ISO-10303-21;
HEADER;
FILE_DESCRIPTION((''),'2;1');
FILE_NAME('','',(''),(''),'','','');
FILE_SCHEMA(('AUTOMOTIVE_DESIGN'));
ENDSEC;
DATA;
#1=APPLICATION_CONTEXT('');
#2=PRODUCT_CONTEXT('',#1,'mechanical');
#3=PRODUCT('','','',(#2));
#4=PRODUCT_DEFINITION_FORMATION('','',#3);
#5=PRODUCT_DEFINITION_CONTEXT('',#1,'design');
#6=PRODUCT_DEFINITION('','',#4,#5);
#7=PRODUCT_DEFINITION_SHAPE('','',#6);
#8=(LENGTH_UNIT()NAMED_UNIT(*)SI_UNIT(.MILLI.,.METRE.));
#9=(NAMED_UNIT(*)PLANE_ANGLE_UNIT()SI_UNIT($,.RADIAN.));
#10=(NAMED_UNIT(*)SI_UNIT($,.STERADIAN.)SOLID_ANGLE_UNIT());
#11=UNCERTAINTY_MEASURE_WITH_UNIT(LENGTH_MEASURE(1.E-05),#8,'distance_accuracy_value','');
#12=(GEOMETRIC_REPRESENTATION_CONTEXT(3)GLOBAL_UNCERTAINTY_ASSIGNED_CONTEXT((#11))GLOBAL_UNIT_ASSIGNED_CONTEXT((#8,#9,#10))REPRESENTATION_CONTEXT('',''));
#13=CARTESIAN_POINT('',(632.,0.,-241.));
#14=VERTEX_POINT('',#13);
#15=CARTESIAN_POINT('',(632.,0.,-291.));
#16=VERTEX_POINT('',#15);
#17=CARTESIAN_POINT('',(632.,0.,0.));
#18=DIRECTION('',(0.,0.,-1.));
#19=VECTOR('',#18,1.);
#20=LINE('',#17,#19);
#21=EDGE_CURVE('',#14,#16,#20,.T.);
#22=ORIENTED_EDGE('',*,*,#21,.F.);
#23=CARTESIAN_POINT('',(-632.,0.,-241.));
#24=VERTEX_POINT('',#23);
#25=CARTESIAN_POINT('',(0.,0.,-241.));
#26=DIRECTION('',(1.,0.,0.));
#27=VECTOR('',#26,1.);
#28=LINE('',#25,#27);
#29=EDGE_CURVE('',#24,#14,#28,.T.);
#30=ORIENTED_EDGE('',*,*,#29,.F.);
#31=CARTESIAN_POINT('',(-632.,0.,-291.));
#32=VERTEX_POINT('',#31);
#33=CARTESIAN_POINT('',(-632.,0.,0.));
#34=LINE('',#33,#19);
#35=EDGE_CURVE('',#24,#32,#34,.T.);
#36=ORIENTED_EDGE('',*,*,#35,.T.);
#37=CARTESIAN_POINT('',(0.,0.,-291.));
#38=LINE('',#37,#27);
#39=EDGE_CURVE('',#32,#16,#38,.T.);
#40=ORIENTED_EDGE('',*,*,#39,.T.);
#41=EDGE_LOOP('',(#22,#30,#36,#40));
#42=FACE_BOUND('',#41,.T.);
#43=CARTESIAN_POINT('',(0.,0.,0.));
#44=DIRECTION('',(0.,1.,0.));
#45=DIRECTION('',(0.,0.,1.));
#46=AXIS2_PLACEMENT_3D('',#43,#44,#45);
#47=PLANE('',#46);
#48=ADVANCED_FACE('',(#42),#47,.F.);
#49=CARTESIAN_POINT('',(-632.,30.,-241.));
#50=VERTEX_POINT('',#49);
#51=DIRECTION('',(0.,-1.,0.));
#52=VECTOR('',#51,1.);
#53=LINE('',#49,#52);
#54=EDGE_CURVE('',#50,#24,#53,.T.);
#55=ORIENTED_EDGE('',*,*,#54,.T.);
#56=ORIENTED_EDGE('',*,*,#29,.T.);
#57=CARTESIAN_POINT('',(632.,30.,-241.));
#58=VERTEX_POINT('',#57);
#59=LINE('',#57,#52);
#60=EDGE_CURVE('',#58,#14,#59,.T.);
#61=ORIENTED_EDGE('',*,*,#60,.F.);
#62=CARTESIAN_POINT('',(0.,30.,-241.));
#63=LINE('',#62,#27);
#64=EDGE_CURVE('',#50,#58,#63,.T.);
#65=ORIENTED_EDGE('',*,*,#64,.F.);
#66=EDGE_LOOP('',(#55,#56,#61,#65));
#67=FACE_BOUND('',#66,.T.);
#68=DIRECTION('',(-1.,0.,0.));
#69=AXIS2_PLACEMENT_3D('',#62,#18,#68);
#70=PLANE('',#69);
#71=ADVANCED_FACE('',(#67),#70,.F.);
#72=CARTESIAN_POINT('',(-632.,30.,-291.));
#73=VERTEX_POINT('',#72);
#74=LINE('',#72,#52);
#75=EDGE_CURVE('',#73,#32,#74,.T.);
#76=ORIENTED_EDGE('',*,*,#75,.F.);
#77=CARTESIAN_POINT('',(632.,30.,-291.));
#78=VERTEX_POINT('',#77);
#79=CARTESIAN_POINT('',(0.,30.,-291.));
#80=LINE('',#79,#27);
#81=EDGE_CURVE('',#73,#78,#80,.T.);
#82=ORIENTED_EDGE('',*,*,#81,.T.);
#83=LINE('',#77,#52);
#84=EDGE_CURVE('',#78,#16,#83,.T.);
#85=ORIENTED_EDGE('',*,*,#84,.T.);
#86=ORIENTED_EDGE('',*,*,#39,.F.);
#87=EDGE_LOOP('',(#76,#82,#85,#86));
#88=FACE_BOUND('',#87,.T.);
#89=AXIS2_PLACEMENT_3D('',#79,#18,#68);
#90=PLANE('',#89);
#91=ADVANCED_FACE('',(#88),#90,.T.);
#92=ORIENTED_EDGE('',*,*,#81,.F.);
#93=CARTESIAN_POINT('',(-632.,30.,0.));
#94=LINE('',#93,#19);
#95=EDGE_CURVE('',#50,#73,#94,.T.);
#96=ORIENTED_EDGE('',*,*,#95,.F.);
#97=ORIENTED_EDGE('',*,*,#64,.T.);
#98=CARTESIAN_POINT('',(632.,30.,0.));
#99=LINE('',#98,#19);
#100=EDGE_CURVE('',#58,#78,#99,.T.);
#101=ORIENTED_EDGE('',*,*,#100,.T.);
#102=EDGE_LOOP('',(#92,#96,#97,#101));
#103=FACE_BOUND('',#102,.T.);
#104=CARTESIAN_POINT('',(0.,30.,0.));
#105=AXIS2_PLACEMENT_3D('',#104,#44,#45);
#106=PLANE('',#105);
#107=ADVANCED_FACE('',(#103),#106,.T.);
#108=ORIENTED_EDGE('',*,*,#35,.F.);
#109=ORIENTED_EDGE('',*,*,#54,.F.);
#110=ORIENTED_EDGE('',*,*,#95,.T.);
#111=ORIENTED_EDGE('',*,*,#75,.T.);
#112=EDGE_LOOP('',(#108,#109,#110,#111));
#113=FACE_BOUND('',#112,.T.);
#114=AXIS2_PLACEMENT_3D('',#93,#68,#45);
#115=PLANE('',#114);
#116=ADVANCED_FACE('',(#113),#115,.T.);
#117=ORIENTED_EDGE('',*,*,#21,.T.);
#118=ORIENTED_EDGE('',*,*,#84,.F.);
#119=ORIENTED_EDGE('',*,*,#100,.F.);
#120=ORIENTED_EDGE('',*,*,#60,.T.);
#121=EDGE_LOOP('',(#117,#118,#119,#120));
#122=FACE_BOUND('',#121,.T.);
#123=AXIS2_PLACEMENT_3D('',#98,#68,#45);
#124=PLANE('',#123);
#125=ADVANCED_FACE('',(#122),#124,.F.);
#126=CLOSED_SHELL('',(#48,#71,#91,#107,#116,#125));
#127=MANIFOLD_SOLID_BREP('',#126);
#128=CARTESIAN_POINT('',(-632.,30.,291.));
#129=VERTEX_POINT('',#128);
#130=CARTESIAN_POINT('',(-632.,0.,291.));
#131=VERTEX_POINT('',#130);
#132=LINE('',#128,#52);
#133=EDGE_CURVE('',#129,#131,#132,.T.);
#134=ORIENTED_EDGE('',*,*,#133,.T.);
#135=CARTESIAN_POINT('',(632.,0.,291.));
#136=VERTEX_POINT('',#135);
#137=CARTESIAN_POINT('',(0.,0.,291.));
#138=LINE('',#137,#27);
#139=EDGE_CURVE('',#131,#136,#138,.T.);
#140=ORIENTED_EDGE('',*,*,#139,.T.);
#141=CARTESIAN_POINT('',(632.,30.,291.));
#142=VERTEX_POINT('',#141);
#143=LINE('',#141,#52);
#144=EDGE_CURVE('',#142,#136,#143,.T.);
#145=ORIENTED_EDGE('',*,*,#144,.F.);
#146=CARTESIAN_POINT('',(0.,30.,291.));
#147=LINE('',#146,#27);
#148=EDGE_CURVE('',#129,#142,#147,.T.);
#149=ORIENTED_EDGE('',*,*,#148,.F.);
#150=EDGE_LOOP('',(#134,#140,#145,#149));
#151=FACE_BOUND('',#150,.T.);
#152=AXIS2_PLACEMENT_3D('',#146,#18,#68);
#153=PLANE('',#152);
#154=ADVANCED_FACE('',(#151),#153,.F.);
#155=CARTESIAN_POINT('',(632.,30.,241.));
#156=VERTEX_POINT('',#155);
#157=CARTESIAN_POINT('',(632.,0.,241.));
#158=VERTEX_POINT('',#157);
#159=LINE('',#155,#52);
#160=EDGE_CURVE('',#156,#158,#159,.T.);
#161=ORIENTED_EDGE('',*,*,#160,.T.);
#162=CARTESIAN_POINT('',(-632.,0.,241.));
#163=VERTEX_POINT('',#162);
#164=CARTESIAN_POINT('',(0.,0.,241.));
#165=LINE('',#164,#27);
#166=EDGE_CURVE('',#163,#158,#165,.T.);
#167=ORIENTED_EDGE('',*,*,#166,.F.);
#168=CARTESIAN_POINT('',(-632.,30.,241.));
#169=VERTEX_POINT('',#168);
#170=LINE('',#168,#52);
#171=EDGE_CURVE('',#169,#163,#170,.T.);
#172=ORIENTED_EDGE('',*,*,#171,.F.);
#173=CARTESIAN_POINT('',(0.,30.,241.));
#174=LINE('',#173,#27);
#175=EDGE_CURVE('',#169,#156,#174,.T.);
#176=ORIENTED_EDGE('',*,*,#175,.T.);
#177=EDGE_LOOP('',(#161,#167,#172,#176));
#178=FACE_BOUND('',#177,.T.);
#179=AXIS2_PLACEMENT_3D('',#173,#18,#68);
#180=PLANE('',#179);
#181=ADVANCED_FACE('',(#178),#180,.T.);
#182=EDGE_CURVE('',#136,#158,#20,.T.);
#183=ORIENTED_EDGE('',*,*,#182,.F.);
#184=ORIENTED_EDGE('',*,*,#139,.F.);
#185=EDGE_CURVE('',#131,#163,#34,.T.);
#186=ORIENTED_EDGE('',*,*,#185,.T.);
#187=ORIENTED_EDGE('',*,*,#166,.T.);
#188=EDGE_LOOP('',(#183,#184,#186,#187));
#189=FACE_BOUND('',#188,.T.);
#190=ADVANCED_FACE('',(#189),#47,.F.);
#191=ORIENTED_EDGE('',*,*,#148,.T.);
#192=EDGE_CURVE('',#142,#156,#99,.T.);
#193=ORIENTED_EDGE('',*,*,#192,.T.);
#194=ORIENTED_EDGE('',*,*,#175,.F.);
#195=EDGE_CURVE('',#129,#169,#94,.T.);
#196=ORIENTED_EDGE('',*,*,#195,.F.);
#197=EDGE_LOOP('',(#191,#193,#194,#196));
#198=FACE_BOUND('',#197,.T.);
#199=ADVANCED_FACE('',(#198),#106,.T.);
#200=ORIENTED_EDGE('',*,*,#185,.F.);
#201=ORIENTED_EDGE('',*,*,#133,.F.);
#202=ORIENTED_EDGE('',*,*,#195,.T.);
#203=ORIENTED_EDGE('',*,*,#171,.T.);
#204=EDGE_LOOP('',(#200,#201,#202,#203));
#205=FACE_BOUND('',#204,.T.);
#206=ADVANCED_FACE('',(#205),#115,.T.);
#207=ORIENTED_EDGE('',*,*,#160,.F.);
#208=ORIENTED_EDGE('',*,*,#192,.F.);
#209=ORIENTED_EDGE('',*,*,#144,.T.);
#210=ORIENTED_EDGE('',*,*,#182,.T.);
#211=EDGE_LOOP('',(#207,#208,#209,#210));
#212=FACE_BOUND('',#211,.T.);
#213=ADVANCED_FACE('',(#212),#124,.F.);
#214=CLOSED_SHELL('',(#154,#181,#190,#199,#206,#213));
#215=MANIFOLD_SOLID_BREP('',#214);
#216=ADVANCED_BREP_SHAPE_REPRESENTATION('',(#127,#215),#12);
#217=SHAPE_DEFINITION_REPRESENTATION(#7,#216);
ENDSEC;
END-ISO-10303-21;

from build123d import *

# Parameters (mm, degrees)
CROQUIS1_W                = 1264
CROQUIS1_H                = 50
SALIENTE_EXTRUIR1_DEPTH   = 30
SALIENTE_EXTRUIR1_2_DEPTH = 30


with BuildPart() as part:
    # Croquis1 → Saliente-Extruir1 (new body)
    with BuildSketch(Plane(origin=(0, 0, 0), x_dir=(1, 0, 0), z_dir=(0, 1, 0))):
        with Locations((0, -266)):
            Rectangle(CROQUIS1_W, CROQUIS1_H)
    extrude(amount=SALIENTE_EXTRUIR1_DEPTH)


with BuildPart() as body_2:
    # Croquis1 → Saliente-Extruir1 2 (new body)
    with BuildSketch(Plane(origin=(0, 0, 0), x_dir=(1, 0, 0), z_dir=(0, 1, 0))):
        with Locations((0, 266)):
            Rectangle(CROQUIS1_W, CROQUIS1_H)
    extrude(amount=SALIENTE_EXTRUIR1_2_DEPTH)


solid = Compound([part.part, body_2.part])
